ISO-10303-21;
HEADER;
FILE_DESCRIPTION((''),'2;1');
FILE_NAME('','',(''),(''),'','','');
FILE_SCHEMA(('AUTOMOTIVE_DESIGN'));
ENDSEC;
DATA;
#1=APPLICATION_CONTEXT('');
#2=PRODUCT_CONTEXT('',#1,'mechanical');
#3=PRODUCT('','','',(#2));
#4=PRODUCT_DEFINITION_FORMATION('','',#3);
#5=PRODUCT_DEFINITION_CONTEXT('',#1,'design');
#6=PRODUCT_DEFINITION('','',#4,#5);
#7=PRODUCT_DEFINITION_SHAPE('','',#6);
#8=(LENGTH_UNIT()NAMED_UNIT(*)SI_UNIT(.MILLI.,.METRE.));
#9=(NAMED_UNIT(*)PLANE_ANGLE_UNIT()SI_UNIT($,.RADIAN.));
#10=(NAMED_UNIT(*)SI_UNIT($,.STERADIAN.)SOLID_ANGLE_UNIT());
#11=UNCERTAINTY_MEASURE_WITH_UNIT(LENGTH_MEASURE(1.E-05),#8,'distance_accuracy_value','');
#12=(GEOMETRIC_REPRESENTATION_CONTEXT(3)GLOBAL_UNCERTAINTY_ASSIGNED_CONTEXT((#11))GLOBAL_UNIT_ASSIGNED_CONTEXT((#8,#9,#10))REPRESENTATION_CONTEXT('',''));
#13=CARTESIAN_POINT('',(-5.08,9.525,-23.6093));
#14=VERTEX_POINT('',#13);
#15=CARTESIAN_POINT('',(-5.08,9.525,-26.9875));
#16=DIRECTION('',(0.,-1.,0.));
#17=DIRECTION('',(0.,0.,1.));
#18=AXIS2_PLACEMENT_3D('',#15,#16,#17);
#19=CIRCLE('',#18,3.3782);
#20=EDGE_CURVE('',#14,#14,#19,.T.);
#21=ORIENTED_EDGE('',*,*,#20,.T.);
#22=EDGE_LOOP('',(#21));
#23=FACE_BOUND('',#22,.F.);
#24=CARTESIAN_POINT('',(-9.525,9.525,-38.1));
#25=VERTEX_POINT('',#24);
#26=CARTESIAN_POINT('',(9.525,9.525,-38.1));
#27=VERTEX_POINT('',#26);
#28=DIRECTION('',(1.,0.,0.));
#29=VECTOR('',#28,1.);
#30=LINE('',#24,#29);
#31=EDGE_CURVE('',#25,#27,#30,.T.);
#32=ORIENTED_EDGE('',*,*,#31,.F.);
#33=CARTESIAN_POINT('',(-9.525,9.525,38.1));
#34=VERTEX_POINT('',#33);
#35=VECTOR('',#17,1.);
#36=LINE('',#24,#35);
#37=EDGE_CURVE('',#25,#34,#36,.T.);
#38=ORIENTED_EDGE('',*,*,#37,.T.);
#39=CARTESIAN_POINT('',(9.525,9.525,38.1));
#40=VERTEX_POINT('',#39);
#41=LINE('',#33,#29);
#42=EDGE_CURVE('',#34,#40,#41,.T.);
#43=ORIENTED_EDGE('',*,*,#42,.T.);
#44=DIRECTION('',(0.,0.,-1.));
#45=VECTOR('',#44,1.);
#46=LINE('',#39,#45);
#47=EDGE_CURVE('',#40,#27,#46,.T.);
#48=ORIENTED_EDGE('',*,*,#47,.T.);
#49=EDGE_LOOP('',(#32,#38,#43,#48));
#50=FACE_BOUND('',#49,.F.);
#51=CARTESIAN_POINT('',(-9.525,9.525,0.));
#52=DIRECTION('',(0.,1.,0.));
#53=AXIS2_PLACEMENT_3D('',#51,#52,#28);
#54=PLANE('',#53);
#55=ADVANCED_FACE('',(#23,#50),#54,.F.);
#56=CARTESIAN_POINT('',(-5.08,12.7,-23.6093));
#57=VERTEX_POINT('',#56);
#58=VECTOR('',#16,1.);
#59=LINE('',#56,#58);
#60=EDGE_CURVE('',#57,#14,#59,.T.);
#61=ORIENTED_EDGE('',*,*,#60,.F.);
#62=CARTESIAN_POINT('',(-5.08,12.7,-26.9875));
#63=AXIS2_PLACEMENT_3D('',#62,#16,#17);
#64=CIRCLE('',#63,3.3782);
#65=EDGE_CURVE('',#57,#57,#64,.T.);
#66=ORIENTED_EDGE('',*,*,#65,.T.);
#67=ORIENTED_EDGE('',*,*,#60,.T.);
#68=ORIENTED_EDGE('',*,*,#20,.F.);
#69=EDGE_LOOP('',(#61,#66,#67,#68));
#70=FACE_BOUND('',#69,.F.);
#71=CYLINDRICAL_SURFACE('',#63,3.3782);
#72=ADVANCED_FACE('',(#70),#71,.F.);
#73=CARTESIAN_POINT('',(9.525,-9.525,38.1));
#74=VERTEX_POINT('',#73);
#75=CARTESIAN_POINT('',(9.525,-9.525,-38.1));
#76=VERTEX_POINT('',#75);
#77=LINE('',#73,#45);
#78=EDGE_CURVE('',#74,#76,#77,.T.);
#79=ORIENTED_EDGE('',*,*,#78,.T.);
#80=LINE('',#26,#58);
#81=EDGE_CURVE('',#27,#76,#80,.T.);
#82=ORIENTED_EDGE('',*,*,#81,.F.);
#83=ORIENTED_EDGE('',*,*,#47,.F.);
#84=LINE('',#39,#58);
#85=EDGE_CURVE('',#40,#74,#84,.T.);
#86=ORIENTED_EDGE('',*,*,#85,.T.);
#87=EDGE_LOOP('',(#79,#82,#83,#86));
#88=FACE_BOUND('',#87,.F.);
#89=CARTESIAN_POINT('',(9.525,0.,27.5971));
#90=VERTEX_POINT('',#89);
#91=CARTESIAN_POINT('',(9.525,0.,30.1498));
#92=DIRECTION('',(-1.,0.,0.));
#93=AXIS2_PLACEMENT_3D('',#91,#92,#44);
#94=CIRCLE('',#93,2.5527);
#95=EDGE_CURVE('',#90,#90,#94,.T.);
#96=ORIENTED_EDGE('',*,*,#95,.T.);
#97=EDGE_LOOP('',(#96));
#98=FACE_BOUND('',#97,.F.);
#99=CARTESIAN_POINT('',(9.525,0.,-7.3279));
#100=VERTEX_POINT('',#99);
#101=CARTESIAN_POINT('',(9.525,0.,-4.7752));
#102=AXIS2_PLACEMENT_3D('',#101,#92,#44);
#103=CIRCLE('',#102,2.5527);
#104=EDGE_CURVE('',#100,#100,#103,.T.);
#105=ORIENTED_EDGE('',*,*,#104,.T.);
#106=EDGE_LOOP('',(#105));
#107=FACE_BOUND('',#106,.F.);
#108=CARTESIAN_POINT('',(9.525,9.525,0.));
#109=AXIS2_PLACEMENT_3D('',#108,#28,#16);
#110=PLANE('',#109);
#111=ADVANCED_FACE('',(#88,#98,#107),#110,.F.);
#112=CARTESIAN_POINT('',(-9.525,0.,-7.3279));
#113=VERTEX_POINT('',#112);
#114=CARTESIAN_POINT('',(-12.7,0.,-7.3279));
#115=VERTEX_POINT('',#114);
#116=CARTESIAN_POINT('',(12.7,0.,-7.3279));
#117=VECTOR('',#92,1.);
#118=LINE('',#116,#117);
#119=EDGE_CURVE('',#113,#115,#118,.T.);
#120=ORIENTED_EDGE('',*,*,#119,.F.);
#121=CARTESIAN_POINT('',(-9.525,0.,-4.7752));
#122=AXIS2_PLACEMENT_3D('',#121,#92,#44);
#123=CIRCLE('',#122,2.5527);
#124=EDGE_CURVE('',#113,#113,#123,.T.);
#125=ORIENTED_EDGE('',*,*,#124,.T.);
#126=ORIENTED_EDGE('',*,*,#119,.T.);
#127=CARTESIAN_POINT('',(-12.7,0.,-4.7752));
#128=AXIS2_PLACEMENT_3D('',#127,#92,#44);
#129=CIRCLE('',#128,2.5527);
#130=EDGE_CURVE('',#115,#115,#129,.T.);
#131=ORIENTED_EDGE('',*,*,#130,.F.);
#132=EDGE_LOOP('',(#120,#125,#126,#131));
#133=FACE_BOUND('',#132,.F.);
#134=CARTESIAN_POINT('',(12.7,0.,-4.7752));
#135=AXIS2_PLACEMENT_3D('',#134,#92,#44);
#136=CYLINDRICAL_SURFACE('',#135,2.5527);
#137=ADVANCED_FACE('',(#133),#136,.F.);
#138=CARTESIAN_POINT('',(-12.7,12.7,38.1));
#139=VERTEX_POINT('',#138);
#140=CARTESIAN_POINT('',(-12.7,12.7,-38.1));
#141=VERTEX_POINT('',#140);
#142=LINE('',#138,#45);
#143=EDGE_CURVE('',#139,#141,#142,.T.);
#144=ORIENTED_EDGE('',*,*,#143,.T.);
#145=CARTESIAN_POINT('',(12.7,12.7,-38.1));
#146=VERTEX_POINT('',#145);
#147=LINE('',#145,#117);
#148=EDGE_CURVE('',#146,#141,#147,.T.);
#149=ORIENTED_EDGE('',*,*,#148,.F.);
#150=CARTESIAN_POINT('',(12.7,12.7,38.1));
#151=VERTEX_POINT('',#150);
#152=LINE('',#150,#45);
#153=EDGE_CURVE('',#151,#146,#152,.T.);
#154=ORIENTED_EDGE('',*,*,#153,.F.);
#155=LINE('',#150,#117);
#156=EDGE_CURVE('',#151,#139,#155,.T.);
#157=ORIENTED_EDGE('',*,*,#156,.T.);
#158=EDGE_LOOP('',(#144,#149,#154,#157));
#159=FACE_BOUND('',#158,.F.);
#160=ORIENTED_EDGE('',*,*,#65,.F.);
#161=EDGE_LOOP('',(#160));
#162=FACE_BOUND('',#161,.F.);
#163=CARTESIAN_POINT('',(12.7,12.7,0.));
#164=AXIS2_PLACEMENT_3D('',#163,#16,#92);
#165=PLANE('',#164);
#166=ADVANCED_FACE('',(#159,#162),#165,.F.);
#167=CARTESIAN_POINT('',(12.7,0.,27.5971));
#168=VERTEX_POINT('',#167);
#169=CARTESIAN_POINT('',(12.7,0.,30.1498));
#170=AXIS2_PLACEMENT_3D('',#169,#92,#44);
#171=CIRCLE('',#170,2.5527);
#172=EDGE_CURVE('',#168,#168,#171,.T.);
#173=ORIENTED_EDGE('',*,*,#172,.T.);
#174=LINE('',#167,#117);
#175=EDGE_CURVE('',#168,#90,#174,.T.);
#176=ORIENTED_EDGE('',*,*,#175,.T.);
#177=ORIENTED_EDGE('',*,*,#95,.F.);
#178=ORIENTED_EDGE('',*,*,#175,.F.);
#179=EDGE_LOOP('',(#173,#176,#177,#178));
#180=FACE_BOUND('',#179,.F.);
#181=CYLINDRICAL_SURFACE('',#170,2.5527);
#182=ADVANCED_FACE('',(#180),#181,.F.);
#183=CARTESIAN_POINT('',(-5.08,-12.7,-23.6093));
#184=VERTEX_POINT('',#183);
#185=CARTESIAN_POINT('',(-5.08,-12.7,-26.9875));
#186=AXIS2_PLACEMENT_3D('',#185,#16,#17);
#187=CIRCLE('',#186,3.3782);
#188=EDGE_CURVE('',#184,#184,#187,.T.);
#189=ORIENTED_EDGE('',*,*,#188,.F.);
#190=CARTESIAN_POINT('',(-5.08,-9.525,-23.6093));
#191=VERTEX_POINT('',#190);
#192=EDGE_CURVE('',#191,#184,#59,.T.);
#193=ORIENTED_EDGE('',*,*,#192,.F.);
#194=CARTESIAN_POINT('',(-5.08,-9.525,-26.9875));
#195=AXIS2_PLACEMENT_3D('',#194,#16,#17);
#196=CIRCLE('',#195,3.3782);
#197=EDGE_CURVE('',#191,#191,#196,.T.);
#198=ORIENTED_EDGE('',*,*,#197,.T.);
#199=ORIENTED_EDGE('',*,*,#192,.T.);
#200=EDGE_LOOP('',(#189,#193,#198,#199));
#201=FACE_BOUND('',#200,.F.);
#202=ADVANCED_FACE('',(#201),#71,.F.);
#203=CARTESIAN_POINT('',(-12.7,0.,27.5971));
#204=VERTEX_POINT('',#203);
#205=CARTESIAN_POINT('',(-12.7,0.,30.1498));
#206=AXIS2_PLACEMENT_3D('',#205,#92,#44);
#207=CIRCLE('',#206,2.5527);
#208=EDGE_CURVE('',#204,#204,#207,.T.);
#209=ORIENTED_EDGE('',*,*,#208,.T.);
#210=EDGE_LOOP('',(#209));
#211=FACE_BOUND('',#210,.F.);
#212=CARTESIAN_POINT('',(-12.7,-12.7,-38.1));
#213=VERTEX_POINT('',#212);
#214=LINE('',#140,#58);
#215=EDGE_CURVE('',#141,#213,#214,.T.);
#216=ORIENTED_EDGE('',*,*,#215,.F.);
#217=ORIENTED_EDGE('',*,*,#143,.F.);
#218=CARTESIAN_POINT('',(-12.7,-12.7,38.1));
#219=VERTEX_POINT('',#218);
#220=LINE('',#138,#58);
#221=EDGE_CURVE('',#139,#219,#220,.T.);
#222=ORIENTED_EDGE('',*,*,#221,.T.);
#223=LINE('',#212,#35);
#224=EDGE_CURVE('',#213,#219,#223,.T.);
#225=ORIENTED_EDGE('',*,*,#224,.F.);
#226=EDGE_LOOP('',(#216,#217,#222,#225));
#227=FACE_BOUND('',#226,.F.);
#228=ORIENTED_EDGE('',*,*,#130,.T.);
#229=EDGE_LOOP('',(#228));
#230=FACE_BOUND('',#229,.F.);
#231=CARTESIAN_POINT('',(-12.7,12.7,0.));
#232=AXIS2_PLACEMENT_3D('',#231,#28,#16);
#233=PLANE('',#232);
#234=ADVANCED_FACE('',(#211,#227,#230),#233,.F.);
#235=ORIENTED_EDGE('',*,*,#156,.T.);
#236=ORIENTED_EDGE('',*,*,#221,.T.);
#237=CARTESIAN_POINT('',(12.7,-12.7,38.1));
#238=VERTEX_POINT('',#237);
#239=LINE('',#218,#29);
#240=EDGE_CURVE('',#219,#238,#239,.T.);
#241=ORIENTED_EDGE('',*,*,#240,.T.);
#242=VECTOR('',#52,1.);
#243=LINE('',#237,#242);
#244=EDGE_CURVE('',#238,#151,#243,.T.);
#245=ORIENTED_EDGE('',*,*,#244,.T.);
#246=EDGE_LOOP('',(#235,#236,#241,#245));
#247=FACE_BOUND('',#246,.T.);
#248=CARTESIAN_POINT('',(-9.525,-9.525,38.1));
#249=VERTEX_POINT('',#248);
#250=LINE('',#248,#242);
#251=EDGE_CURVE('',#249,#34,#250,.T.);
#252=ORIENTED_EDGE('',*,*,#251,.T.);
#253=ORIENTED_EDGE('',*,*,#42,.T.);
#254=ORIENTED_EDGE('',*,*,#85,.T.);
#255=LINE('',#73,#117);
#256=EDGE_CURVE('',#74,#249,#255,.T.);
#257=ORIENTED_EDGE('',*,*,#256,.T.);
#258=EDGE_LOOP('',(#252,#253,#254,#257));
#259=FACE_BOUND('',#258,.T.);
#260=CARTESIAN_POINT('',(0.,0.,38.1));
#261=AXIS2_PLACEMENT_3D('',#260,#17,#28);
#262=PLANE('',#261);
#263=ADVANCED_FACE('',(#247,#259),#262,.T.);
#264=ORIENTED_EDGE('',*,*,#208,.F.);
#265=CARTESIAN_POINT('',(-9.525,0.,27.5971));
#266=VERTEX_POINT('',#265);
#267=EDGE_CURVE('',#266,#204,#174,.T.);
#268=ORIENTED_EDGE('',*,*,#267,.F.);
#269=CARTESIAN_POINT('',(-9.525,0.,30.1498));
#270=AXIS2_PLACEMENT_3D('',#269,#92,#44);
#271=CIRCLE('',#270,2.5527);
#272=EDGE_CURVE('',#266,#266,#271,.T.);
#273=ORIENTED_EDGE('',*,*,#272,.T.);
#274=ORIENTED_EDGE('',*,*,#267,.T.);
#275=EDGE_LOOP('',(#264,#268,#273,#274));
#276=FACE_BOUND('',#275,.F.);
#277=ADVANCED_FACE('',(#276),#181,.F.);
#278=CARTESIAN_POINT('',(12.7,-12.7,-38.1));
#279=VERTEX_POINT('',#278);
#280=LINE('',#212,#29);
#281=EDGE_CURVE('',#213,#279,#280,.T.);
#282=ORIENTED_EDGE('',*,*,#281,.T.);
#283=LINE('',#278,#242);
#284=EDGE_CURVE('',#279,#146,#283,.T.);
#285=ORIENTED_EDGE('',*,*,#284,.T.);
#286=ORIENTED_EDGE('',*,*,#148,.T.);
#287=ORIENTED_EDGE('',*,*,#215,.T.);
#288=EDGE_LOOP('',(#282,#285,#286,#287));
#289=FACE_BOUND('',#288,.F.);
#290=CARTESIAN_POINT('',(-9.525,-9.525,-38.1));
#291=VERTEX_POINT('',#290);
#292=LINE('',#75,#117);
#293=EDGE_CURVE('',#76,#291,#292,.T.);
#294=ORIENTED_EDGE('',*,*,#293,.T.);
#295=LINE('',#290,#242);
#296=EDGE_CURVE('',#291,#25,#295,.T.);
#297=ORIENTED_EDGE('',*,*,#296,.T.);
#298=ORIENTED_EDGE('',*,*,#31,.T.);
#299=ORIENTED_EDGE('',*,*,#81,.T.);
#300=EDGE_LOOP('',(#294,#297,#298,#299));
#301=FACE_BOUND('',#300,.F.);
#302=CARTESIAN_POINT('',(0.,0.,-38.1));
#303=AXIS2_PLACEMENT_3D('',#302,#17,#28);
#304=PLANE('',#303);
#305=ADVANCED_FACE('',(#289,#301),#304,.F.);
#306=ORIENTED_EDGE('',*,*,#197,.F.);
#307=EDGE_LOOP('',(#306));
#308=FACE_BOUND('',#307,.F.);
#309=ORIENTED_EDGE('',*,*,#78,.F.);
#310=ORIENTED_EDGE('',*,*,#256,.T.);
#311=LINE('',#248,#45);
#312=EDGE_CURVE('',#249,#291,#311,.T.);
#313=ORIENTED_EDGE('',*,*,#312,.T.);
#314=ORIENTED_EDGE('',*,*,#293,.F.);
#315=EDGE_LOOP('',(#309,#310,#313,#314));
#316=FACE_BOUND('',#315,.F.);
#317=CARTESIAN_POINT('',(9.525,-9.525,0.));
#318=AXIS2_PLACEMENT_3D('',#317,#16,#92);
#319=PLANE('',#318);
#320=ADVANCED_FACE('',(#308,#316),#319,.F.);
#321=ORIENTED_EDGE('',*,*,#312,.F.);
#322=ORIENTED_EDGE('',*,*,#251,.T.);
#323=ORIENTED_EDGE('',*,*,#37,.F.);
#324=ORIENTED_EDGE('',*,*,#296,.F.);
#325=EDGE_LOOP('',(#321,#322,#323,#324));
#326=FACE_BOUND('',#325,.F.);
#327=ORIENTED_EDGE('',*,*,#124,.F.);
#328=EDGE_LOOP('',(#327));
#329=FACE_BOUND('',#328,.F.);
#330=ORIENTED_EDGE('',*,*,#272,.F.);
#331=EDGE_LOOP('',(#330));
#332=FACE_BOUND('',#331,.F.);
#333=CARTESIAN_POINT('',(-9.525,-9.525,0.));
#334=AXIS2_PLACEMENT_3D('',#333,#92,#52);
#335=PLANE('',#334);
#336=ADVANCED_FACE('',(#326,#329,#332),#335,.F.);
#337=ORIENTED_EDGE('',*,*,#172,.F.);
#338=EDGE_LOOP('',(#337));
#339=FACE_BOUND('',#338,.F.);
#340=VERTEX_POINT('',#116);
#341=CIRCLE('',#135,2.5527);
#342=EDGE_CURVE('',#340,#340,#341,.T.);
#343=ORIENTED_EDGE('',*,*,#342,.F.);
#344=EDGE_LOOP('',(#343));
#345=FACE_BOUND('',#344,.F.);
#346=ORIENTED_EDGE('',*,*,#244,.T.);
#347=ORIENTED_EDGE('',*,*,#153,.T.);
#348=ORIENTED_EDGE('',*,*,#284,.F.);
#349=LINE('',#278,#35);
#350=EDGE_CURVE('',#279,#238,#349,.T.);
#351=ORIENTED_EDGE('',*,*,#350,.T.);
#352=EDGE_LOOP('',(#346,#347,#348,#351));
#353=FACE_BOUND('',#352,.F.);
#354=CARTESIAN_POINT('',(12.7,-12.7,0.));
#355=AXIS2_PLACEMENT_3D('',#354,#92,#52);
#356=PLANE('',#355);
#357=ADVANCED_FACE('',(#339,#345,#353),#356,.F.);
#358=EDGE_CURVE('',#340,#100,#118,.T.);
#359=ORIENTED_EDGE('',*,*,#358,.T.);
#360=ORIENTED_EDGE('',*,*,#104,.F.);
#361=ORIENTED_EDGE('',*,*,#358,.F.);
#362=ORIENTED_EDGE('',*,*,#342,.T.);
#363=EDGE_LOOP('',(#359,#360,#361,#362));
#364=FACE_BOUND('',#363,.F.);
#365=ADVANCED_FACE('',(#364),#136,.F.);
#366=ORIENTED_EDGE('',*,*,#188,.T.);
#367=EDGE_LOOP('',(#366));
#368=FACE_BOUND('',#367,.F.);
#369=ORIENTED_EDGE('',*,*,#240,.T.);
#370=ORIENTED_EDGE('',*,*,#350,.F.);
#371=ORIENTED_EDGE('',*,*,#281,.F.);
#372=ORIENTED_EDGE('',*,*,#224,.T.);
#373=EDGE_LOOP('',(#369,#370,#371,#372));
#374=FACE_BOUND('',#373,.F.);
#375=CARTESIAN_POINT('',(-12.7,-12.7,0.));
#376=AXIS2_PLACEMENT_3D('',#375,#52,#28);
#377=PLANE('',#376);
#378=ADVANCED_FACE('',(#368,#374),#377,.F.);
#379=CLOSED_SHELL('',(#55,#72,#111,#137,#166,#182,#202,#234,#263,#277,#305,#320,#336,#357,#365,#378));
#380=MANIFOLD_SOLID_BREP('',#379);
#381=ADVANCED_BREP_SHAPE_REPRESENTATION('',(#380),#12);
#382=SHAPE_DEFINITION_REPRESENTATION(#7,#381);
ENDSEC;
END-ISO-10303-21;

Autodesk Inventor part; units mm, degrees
ref_plane "YZ Plane" through (0, 0, 0) normal (1, 0, 0) x (0, 1, 0)
ref_plane "XZ Plane" through (0, 0, 0) normal (0, 1, 0) x (-1, 0, 0)
ref_plane "XY Plane" through (0, 0, 0) normal (0, 0, 1) x (1, 0, 0)
sketch "Sketch1" plane through (0, 0, 0) normal (0, 0, 1) x (1, 0, 0)
  line L0 (-12.7, -12.7) -> (12.7, -12.7)
  line L1 (12.7, -12.7) -> (12.7, 12.7)
  line L2 (12.7, 12.7) -> (-12.7, 12.7)
  line L3 (-12.7, 12.7) -> (-12.7, -12.7)
  line L4 (-12.7, -12.7) -> (12.7, 12.7) construction
  line L5 (12.7, -12.7) -> (-12.7, 12.7) construction
  line L6 (-9.525, 9.525) -> (9.525, 9.525)
  line L7 (9.525, 9.525) -> (9.525, -9.525)
  line L8 (9.525, -9.525) -> (-9.525, -9.525)
  line L9 (-9.525, -9.525) -> (-9.525, 9.525)
  point P0 (0, 0)
  dimension "width" = 25.4
  dimension "height" = 25.4
  dimension "thickness" = 3.175
extrude "Extrusion1" add sketch "Sketch1" along normal mid plane 76.2
sketch "Sketch3" plane through (12.7, -12.7, 38.1) normal (1, 0, 0) x (0, 0, -1)
  line L0 (7.9502, 12.7) -> (42.8752, 12.7) construction
  line L1 (0, 0) -> (0, 25.4) projected
  point P0 (25.4127, 12.7)
  point P1 (0, 12.7)
  dimension "d22" = 34.925
  dimension "d37" = 7.9502
hole "Hole2" at (12.7, 0, -4.7752) at (12.7, 0, 30.1498) direction (-1, 0, 0) diameter 5.1054 end through all clearance for "Flat Head Machine Screw (82)" size "#10" standard "Ansi Unified Screw Threads"
sketch "Sketch4" plane through (-12.7, 12.7, 38.1) normal (0, 1, 0) x (1, 0, 0)
  line L0 (0, 76.2) -> (25.4, 76.2) projected
  line L1 (0, 76.2) -> (0, 0) construction
  point P0 (12.7, 38.1)
  point P1 (7.62, 65.0875)
  dimension "d38" = 11.1125
  dimension "d39" = 7.62
hole "Hole3" at (-5.08, 12.7, -26.9875) direction (0, -1, 0) diameter 6.7564 end through all clearance for "Flat Head Machine Screw (82)" size "1/4" standard "Ansi Unified Screw Threads"
properties part number "EL2-S-004" material "Aluminum 6061"
